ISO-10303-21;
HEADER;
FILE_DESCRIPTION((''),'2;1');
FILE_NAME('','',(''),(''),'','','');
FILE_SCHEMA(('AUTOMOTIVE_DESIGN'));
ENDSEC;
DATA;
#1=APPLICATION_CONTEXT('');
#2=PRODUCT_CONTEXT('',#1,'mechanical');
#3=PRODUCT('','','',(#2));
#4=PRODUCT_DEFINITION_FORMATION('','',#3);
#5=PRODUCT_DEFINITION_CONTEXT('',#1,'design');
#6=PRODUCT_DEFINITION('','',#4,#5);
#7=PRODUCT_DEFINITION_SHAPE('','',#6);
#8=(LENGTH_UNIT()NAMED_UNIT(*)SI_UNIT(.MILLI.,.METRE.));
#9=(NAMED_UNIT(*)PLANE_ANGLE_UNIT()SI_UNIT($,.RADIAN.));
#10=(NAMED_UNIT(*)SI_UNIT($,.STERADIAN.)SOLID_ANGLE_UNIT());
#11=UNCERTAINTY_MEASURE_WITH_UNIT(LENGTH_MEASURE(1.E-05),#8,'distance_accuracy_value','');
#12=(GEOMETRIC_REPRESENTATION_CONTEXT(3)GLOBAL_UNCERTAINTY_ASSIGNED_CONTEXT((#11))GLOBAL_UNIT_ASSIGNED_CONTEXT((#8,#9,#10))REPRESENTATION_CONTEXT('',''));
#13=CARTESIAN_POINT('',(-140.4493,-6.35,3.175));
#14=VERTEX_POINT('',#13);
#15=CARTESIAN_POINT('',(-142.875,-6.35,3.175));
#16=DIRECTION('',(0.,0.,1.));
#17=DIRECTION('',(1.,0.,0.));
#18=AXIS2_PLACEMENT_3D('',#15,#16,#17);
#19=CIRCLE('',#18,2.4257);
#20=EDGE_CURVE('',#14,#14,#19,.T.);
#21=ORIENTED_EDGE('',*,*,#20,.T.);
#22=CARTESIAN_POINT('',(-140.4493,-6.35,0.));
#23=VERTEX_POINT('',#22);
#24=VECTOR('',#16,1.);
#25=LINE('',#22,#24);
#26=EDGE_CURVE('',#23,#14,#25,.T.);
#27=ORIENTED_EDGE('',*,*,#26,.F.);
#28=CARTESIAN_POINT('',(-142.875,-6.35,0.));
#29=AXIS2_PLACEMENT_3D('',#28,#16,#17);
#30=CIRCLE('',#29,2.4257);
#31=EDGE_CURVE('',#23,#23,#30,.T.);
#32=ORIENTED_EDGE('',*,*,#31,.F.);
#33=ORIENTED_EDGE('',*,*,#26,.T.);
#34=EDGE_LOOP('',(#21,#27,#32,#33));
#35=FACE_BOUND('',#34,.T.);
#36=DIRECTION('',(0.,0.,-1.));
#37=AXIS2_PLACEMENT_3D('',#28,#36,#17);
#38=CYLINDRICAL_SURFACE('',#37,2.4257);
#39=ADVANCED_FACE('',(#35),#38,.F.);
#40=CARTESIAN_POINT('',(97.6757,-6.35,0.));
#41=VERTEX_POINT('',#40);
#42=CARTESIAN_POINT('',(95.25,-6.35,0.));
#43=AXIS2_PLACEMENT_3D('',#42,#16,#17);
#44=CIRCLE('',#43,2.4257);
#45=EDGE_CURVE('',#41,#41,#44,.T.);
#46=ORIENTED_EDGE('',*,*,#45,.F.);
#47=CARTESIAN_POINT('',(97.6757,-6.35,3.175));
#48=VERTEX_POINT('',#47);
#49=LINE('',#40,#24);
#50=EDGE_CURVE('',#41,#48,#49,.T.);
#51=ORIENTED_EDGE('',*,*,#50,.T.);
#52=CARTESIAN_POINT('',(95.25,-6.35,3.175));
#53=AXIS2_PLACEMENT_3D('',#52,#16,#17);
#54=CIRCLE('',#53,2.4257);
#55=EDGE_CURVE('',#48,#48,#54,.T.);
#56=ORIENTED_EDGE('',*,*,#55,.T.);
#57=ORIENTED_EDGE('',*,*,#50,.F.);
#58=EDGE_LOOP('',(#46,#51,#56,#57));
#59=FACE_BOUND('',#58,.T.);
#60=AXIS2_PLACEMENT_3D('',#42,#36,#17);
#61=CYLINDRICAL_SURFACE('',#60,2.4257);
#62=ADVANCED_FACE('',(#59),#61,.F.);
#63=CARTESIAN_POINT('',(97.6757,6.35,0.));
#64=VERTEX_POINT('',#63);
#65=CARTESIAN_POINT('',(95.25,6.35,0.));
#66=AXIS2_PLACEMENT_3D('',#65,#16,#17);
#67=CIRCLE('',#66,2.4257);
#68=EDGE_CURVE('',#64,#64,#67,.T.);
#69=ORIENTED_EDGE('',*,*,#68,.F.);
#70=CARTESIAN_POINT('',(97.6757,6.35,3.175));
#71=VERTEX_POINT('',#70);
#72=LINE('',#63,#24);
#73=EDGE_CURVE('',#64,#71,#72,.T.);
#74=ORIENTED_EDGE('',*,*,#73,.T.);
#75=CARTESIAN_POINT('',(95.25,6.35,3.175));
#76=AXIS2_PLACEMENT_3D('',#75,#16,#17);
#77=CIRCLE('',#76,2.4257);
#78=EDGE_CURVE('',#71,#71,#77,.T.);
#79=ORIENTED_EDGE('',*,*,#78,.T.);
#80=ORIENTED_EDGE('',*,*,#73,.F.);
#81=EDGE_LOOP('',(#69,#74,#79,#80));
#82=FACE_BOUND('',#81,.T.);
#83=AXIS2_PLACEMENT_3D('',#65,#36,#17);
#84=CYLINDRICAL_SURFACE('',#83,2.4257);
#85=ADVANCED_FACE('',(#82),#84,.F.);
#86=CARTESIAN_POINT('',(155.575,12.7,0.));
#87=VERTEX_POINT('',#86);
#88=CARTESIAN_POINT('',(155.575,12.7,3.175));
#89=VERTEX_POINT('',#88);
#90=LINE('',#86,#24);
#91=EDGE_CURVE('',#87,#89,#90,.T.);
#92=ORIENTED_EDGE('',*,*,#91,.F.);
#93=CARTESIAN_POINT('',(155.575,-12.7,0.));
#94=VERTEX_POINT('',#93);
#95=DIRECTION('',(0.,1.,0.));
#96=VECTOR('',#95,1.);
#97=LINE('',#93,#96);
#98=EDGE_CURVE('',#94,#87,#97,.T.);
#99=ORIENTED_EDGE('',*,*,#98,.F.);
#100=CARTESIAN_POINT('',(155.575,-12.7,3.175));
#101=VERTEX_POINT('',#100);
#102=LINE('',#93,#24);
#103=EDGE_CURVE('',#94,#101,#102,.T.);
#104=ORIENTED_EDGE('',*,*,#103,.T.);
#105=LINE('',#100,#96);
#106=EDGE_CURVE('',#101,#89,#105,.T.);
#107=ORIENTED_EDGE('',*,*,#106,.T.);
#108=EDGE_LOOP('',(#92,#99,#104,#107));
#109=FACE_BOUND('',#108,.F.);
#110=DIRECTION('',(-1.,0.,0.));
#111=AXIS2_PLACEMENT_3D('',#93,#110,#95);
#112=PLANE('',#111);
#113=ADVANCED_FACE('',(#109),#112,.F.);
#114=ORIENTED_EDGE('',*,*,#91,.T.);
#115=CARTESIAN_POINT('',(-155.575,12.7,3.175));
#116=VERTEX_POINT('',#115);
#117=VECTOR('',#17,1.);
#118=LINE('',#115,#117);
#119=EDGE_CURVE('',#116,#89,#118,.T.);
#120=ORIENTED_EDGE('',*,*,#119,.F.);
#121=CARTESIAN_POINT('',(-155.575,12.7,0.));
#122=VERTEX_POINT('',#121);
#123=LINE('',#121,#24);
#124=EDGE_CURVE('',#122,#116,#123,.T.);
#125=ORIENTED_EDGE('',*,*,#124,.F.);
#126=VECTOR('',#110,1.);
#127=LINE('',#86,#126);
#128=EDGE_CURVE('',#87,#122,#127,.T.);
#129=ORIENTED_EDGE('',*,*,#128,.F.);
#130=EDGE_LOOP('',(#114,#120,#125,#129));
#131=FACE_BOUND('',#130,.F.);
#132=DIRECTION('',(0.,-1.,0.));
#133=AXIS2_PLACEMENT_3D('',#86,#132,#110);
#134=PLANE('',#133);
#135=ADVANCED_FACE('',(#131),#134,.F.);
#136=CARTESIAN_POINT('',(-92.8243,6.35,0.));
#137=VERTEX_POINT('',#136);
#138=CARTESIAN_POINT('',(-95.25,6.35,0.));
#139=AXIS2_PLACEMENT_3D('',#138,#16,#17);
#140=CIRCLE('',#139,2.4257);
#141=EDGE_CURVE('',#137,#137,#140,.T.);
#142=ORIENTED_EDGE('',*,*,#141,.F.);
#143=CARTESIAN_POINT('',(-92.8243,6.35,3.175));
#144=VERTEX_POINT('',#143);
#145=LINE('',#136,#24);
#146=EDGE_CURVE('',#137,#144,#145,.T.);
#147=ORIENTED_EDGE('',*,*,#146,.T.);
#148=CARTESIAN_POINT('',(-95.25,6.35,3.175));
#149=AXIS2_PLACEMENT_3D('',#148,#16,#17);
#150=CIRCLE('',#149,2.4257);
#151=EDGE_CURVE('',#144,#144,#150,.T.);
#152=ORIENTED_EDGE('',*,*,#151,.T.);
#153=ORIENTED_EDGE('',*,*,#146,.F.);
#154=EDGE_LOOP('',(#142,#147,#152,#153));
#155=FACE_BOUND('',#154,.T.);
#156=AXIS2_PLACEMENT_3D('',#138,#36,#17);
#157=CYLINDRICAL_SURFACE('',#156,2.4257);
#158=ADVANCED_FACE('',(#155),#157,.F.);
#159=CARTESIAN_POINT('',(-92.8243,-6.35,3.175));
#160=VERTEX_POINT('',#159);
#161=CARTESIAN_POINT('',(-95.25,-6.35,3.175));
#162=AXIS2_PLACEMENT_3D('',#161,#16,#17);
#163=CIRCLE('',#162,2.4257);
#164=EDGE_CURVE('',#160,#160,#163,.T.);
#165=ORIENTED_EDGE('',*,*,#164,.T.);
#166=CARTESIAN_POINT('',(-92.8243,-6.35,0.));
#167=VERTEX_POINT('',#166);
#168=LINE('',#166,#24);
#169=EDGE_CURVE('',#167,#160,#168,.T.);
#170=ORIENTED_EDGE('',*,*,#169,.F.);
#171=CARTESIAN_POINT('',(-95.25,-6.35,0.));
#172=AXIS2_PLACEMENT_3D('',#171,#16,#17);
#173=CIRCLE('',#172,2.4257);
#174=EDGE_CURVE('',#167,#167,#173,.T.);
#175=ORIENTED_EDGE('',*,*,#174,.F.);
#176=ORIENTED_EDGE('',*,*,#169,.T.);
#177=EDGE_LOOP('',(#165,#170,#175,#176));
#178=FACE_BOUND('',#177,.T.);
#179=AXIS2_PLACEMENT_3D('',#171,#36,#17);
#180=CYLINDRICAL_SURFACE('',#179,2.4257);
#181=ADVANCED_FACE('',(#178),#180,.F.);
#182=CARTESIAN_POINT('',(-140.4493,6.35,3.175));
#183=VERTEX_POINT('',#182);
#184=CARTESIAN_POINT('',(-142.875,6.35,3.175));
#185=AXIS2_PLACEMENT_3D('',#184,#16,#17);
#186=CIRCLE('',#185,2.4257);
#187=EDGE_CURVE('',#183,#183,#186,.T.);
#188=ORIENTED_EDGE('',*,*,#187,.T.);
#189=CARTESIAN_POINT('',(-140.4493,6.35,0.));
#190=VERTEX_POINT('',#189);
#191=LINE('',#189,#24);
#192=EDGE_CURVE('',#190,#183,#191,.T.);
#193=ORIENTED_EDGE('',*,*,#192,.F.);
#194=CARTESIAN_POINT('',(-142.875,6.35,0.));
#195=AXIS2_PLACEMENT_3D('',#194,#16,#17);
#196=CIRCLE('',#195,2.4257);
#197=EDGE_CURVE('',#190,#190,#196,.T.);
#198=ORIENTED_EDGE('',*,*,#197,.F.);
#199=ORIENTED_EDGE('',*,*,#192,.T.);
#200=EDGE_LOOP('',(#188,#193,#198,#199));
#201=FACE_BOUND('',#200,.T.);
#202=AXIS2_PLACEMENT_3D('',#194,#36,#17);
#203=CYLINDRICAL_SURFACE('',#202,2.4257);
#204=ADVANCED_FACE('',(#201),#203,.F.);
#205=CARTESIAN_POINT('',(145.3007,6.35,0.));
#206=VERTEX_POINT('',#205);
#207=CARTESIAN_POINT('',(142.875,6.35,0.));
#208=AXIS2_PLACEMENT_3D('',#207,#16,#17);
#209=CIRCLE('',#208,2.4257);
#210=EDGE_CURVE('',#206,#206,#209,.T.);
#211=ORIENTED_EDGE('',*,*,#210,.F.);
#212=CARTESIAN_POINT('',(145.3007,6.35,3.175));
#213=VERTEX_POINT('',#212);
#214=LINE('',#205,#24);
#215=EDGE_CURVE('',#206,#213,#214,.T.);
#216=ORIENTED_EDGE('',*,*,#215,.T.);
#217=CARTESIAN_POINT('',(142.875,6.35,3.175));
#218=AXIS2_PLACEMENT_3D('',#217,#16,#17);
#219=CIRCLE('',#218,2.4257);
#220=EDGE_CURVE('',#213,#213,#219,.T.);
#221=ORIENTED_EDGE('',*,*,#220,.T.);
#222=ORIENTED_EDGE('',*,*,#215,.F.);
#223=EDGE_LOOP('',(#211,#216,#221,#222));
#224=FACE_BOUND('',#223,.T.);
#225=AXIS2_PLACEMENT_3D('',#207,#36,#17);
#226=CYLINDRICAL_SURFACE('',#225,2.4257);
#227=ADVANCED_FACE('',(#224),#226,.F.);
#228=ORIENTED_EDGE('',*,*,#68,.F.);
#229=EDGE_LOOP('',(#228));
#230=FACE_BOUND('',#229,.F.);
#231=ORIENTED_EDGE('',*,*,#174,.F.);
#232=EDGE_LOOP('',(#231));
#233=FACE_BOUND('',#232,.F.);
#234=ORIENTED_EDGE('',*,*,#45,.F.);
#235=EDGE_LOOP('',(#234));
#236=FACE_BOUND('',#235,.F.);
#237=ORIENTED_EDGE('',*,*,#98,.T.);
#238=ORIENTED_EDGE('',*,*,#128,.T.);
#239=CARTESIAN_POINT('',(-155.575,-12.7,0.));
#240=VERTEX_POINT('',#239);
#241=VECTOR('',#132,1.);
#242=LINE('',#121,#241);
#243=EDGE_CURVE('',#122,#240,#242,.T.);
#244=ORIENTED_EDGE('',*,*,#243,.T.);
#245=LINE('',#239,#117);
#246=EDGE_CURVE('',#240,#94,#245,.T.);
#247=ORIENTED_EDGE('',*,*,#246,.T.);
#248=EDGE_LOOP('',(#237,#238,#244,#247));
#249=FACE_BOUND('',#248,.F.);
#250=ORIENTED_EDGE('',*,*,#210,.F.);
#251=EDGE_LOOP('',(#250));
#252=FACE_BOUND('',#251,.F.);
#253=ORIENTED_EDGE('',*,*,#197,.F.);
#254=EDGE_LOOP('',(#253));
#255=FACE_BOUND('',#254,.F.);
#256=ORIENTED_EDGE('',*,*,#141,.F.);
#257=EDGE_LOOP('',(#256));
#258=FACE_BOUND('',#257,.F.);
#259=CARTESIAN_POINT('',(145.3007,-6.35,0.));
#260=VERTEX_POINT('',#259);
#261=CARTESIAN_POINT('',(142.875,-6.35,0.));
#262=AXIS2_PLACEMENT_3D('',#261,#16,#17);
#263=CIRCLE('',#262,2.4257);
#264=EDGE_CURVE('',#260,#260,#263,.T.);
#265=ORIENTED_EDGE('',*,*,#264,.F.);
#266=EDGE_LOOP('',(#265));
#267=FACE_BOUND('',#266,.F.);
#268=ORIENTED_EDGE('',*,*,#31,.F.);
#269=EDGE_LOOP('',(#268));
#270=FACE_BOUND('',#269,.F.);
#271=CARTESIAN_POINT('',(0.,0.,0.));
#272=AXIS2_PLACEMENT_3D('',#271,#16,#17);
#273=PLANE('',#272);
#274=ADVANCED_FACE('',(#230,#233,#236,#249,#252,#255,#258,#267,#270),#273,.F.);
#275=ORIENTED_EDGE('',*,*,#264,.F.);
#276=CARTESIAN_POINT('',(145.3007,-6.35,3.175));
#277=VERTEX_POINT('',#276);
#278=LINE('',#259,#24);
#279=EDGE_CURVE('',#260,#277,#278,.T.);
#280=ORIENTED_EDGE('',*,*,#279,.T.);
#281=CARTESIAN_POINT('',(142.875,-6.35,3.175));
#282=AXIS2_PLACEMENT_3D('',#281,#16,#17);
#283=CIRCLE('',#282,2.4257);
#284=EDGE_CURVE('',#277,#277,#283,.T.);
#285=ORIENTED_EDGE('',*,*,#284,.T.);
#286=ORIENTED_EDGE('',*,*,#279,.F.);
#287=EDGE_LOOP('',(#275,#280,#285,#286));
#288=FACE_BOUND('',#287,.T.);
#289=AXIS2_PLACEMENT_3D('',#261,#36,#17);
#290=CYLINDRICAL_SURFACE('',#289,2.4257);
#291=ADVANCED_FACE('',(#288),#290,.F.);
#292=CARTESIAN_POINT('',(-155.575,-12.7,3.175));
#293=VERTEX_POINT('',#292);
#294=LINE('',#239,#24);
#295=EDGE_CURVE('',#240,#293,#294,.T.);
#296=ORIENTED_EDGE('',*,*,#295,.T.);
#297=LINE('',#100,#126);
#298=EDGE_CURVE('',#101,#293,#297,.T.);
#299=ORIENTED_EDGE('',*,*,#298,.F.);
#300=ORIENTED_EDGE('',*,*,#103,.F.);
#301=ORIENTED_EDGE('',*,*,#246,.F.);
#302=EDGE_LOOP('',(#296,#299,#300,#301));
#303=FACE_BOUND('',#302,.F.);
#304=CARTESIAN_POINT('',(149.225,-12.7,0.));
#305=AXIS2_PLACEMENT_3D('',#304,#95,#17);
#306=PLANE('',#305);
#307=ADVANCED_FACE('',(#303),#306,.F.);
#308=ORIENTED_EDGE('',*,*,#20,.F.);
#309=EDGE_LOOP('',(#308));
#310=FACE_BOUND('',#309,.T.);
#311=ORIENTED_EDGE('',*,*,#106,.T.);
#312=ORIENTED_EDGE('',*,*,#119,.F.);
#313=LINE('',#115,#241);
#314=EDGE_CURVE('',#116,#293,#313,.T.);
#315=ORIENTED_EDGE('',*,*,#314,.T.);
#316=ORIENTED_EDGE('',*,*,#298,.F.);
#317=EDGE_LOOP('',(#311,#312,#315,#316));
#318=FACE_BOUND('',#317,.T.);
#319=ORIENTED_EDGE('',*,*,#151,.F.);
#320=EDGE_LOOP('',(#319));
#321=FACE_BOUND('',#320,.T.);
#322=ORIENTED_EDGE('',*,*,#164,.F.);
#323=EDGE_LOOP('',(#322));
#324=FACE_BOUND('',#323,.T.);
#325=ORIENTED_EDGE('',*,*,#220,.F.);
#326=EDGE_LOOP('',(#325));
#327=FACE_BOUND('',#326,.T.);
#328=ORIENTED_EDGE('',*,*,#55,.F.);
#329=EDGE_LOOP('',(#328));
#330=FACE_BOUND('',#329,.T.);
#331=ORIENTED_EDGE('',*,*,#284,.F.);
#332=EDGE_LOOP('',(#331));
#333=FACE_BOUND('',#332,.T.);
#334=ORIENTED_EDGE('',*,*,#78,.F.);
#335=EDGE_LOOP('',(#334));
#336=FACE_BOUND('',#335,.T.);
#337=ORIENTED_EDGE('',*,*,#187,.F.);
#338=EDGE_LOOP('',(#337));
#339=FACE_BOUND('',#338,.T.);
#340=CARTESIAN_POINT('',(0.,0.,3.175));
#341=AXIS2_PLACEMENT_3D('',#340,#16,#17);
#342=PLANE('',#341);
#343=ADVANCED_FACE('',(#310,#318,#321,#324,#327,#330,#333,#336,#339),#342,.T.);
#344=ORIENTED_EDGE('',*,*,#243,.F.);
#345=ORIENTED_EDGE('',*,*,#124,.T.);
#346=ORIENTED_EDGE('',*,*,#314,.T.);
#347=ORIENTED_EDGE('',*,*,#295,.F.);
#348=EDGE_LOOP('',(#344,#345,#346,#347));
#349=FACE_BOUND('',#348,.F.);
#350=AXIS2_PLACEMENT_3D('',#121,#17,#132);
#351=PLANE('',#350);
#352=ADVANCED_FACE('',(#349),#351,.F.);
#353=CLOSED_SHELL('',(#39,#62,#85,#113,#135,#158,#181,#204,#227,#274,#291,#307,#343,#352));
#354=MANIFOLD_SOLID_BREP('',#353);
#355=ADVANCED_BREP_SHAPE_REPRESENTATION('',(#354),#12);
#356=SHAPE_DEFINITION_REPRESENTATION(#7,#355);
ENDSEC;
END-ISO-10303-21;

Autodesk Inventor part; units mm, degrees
ref_plane "YZ Plane" through (0, 0, 0) normal (1, 0, 0) x (0, 1, 0)
ref_plane "XZ Plane" through (0, 0, 0) normal (0, 1, 0) x (-1, 0, 0)
ref_plane "XY Plane" through (0, 0, 0) normal (0, 0, 1) x (1, 0, 0)
sketch "Sketch1" plane through (0, 0, 0) normal (0, 0, 1) x (1, 0, 0)
  line L0 (155.575, 12.7) -> (-155.575, 12.7)
  line L1 (-155.575, 12.7) -> (-155.575, -12.7)
  line L2 (-155.575, -12.7) -> (155.575, -12.7)
  line L3 (155.575, -12.7) -> (155.575, 12.7)
  line L4 (155.575, 12.7) -> (-155.575, -12.7) construction
  line L5 (-155.575, 12.7) -> (155.575, -12.7) construction
  line L6 (-149.225, 12.7) -> (-136.525, 12.7)
  line L7 (-136.525, 12.7) -> (-136.525, -12.7)
  line L8 (-136.525, -12.7) -> (-149.225, -12.7)
  line L9 (-149.225, -12.7) -> (-149.225, 12.7)
  circle A0 centre (-142.875, 6.35) radius 2.4257
  circle A1 centre (-142.875, -6.35) radius 2.4257
  line L10 (149.225, 12.7) -> (136.525, 12.7)
  line L11 (136.525, 12.7) -> (136.525, -12.7)
  line L12 (136.525, -12.7) -> (149.225, -12.7)
  line L13 (149.225, -12.7) -> (149.225, 12.7)
  circle A2 centre (142.875, 6.35) radius 2.4257
  circle A3 centre (142.875, -6.35) radius 2.4257
  line L14 (101.6, 12.7) -> (88.9, 12.7)
  line L15 (88.9, 12.7) -> (88.9, -12.7)
  line L16 (88.9, -12.7) -> (101.6, -12.7)
  line L17 (101.6, -12.7) -> (101.6, 12.7)
  line L18 (-101.6, 12.7) -> (-88.9, 12.7)
  line L19 (-88.9, 12.7) -> (-88.9, -12.7)
  line L20 (-88.9, -12.7) -> (-101.6, -12.7)
  line L21 (-101.6, -12.7) -> (-101.6, 12.7)
  circle A4 centre (-95.25, 6.35) radius 2.4257
  circle A5 centre (-95.25, -6.35) radius 2.4257
  circle A6 centre (95.25, -6.35) radius 2.4257
  circle A7 centre (95.25, 6.35) radius 2.4257
  point P0 (0, 0)
  point P1 (149.225, 0)
  dimension "d0" = 311.15
  dimension "d1" = 25.4
  dimension "d2" = 12.7
  dimension "d3" = 6.35
  dimension "d4" = 4.8514
  dimension "d5" = 4.8514
  dimension "d6" = 6.35
  dimension "d7" = 6.35
  dimension "d8" = 12.7
  dimension "d9" = 6.35
  dimension "d10" = 4.8514
  dimension "d11" = 4.8514
  dimension "d12" = 12.7
  dimension "d13" = 47.625
  dimension "d14" = 12.7
  dimension "d15" = 47.625
  dimension "d16" = 4.8514
  dimension "d17" = 4.8514
  dimension "d18" = 4.8514
  dimension "d19" = 4.8514
  dimension "d22" = 6.35
  dimension "d23" = 6.35
  dimension "d24" = 6.35
  dimension "d25" = 6.35
  dimension "d26" = 6.35
  dimension "d27" = 6.35
  dimension "d28" = 6.35
  dimension "d29" = 6.35
extrude "Extrusion1" add sketch "Sketch1" along normal blind 3.175
properties part number "Chassis Bar" material "Stainless Steel"
